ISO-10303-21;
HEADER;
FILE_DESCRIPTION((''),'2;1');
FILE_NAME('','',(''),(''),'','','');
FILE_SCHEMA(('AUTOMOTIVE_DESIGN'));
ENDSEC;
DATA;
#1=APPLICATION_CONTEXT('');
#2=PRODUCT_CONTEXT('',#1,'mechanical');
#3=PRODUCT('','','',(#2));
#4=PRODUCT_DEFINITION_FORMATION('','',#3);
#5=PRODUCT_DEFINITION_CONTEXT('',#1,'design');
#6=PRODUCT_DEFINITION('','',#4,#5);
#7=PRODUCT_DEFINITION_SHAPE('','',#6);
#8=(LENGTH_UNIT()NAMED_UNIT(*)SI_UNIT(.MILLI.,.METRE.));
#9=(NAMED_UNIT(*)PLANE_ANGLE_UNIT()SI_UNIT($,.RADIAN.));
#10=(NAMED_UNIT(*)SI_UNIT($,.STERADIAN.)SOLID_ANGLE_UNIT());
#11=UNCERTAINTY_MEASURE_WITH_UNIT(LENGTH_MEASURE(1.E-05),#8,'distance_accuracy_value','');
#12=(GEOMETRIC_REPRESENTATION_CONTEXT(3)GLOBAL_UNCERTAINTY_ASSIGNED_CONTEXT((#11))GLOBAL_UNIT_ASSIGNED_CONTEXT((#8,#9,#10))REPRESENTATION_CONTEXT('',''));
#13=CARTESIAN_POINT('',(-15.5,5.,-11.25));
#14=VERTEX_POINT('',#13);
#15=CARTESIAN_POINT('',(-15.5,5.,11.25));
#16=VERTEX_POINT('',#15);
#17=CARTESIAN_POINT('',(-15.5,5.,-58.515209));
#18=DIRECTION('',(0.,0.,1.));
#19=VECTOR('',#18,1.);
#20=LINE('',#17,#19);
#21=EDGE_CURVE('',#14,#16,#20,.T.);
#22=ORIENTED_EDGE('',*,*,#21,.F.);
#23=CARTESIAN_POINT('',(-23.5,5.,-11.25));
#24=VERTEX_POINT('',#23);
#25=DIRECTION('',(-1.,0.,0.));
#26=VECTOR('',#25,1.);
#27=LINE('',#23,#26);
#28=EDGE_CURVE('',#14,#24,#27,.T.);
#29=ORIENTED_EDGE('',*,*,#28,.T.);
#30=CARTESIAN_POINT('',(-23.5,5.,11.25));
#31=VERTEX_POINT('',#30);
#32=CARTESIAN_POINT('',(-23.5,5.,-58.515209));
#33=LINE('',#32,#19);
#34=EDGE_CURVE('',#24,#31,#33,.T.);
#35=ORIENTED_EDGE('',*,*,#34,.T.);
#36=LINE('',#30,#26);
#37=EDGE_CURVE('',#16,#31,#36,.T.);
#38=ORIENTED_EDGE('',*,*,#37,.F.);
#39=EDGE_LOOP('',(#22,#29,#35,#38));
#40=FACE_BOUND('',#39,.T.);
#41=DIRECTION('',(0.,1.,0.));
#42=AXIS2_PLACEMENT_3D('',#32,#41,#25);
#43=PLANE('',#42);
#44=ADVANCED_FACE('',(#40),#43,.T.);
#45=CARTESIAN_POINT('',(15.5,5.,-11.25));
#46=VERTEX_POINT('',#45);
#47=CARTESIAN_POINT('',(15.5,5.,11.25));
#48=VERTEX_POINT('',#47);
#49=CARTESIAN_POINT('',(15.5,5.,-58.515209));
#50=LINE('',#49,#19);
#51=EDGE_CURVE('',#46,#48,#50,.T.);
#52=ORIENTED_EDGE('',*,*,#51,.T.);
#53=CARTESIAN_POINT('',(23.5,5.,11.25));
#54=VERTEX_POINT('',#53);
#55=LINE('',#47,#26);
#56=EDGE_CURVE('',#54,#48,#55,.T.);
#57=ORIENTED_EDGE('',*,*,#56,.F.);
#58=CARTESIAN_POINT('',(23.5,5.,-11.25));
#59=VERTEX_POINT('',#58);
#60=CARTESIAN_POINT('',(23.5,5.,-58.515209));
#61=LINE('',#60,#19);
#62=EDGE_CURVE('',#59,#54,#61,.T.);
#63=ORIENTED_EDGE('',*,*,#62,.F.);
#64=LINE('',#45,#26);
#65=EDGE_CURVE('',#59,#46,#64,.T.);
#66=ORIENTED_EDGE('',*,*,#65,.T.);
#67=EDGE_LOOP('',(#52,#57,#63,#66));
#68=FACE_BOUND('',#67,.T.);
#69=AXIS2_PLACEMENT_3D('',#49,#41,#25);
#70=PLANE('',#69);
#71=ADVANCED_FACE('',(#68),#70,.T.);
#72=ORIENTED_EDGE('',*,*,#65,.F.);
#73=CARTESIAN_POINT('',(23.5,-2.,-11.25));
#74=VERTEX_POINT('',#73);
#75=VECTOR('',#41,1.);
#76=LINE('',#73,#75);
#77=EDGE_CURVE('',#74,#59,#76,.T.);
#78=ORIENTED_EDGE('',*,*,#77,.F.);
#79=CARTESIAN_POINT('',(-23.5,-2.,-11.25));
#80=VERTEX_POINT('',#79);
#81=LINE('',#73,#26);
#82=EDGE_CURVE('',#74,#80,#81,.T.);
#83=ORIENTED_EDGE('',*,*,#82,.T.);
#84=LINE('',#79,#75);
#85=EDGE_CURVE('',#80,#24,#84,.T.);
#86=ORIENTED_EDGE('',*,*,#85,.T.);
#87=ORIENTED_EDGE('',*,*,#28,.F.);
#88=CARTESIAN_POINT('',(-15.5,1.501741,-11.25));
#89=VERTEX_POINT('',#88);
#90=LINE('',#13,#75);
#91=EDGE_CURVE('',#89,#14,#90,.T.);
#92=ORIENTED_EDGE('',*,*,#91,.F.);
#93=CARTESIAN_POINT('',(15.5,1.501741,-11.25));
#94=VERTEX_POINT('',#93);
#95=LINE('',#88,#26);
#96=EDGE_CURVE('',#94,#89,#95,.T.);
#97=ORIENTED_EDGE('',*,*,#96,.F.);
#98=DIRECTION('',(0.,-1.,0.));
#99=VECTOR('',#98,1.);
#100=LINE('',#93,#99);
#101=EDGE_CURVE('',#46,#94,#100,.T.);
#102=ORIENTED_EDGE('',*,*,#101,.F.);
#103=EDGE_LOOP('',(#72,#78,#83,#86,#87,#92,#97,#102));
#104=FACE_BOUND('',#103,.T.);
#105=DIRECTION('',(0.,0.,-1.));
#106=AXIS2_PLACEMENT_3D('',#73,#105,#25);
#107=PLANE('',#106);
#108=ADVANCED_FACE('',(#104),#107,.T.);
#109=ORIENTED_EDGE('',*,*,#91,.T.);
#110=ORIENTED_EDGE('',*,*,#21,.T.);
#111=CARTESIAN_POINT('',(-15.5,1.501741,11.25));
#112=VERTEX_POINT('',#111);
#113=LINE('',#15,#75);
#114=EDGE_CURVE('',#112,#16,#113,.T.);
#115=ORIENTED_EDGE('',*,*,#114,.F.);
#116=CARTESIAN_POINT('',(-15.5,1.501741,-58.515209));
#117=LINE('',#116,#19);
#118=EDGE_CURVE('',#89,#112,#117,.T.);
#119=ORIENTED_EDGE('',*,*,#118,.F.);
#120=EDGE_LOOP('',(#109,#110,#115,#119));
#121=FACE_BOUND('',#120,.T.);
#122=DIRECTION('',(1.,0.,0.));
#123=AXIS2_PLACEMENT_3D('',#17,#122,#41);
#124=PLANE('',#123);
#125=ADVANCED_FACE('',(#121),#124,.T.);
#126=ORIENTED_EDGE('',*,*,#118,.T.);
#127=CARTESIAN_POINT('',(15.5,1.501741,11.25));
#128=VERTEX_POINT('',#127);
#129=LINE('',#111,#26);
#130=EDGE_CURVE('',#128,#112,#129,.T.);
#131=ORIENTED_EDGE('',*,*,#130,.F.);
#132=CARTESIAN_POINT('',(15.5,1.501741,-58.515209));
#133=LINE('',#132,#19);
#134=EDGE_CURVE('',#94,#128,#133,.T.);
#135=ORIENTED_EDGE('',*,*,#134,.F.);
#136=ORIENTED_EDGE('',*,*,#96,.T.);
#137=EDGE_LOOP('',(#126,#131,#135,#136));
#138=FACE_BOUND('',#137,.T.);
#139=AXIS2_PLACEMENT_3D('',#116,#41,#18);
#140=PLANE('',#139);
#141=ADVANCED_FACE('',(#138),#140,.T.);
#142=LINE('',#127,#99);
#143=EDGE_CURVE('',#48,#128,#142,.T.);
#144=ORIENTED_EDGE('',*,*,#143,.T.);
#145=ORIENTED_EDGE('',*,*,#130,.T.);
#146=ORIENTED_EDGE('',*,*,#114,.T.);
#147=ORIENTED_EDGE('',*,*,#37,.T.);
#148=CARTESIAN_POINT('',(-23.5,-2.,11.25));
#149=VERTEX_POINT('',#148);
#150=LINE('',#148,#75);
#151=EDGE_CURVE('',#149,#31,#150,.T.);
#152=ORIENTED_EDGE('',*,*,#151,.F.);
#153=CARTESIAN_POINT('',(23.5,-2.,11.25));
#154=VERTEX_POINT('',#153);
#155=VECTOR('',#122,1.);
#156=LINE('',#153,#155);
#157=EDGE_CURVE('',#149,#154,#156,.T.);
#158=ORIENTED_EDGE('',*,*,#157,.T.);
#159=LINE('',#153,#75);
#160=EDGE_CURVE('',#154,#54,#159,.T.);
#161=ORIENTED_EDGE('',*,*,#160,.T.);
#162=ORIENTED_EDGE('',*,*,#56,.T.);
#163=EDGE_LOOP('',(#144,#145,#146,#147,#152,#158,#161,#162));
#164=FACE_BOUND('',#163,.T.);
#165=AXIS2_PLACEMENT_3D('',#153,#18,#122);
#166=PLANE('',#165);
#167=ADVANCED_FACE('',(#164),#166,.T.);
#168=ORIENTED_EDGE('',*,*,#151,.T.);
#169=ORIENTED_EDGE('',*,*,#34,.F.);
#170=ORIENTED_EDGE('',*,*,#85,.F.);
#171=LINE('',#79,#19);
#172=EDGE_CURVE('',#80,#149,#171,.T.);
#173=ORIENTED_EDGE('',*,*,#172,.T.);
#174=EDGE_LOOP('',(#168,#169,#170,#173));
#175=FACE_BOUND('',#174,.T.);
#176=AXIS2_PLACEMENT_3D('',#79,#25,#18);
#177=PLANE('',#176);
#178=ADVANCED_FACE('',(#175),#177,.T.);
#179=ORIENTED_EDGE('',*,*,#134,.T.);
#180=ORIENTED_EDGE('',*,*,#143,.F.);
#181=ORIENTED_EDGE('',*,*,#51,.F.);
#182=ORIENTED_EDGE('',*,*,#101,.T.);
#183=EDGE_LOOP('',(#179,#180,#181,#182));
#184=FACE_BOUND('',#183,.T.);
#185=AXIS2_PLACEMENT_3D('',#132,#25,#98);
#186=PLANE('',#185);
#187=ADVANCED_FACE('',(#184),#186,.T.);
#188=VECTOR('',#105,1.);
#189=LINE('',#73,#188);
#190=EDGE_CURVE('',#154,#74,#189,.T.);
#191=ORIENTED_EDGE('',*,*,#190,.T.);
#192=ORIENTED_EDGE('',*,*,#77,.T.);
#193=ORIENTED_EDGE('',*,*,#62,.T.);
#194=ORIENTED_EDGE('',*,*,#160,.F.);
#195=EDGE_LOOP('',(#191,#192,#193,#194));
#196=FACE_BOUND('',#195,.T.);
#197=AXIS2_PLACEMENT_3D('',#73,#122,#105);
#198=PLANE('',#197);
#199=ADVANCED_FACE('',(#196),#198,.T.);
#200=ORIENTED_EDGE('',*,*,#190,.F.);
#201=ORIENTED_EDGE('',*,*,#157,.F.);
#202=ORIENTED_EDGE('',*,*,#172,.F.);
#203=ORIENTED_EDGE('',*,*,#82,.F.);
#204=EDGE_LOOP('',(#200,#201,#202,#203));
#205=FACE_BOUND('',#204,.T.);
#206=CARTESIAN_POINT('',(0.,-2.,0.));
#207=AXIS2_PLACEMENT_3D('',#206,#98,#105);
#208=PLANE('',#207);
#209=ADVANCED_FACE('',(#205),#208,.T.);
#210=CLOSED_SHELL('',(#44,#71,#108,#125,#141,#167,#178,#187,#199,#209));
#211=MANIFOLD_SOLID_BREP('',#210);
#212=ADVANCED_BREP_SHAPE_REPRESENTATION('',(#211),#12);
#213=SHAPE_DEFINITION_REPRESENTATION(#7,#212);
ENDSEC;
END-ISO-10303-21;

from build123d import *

# Parameters (mm, degrees)
SKETCH1_W           = 47
SKETCH1_H           = 22.5
BOSS_EXTRUDE1_DEPTH = 2
BOSS_EXTRUDE2_DEPTH = 22.5


with BuildPart() as part:
    # Sketch1 → Boss-Extrude1 (new body)
    with BuildSketch(Plane(origin=(0, 0, 0), x_dir=(1, 0, 0), z_dir=(0, 1, 0))):
        Rectangle(SKETCH1_W, SKETCH1_H)
    extrude(amount=-BOSS_EXTRUDE1_DEPTH)

    # Sketch2 → Boss-Extrude2 (add)
    with BuildSketch(Plane.XY.offset(11.25)):
        Polygon((-23.5, 0), (23.5, 0), (23.5, 5), (15.5, 5), (15.5, 1.501741003), (-15.5, 1.501741003), (-15.5, 5), (-23.5, 5), align=None)
    extrude(amount=-BOSS_EXTRUDE2_DEPTH)


solid = part.part
